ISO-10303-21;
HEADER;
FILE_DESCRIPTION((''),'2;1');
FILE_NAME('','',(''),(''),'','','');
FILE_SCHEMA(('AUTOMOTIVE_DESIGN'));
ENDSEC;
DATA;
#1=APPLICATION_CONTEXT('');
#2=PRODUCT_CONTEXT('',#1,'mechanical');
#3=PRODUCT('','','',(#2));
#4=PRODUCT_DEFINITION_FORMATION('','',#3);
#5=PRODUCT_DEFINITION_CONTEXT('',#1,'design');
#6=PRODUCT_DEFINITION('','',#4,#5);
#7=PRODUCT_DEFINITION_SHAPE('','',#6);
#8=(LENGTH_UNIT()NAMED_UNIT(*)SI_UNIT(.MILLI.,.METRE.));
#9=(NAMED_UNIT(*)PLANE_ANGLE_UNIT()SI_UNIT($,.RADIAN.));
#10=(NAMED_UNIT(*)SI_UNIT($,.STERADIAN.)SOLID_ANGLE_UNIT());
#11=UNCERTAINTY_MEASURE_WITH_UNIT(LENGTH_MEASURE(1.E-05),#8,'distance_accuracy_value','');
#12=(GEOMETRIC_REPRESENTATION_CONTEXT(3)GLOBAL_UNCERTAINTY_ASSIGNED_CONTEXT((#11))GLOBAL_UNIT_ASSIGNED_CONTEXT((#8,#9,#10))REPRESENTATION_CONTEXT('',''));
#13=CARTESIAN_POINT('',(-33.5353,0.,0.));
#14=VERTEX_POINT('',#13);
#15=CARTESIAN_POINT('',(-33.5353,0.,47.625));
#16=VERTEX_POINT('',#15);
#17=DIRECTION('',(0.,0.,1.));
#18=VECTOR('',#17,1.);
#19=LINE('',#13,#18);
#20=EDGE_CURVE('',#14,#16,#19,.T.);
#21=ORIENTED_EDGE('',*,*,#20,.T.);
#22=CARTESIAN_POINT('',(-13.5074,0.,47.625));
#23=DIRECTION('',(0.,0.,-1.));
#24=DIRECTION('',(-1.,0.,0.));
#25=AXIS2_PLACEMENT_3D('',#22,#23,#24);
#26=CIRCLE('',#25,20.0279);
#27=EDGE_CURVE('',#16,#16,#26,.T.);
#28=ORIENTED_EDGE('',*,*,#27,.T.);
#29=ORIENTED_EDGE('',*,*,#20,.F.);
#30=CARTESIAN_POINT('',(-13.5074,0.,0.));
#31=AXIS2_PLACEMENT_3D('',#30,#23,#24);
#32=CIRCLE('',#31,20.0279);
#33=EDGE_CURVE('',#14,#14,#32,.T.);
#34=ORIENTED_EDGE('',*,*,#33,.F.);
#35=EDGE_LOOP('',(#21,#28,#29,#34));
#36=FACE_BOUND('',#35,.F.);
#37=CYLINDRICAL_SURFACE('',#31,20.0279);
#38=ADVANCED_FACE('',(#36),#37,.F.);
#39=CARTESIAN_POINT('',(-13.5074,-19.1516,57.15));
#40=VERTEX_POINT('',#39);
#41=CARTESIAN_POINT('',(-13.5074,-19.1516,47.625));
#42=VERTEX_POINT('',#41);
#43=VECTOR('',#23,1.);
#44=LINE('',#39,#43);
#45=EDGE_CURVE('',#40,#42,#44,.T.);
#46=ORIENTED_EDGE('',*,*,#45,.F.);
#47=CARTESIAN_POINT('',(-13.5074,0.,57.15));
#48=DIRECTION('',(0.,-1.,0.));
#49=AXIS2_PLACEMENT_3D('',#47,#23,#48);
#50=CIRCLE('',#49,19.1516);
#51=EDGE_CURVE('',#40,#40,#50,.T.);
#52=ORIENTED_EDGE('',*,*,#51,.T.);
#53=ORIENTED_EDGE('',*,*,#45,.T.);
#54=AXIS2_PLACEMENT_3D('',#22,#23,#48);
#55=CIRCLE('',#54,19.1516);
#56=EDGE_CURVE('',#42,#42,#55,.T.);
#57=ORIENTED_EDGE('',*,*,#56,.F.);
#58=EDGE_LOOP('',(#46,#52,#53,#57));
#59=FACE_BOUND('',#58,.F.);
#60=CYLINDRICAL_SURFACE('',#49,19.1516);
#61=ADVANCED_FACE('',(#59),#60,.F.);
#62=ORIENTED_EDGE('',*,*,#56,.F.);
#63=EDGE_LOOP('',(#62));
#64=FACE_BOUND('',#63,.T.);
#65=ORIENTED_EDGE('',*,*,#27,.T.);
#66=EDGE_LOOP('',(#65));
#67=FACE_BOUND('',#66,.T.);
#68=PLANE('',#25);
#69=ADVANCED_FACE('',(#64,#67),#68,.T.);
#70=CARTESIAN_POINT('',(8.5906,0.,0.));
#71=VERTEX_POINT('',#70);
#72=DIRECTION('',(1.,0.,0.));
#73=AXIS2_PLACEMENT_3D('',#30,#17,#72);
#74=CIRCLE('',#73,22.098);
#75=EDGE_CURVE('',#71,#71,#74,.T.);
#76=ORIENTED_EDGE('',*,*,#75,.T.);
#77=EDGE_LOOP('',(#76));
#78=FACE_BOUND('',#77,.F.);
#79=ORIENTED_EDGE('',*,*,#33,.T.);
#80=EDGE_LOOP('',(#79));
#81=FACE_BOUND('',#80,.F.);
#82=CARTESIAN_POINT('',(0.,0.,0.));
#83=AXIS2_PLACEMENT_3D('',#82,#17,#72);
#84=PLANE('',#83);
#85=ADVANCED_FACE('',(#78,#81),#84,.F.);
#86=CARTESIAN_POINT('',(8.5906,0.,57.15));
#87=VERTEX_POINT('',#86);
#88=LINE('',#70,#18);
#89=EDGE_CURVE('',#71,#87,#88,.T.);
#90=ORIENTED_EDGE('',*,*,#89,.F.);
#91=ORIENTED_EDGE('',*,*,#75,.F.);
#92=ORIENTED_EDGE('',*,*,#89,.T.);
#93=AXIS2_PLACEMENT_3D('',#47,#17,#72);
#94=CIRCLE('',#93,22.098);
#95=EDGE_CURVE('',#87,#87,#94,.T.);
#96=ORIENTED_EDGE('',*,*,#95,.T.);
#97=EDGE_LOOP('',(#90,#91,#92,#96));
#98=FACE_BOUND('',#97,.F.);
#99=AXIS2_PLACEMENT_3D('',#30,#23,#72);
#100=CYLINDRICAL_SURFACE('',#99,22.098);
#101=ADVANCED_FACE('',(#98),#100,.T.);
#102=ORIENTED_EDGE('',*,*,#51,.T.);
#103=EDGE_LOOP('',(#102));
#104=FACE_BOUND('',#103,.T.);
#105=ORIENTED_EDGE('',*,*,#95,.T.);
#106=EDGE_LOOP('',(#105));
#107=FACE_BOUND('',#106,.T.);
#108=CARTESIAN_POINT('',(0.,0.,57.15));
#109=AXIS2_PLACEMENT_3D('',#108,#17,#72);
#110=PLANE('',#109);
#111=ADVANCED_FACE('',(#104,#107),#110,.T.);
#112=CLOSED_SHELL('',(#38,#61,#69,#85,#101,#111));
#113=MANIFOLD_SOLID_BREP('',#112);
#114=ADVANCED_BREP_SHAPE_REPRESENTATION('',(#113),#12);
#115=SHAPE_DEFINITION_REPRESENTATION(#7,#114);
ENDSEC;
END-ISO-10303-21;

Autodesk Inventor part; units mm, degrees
ref_plane "YZ Plane" through (0, 0, 0) normal (1, 0, 0) x (0, 1, 0)
ref_plane "XZ Plane" through (0, 0, 0) normal (0, 1, 0) x (-1, 0, 0)
ref_plane "XY Plane" through (0, 0, 0) normal (0, 0, 1) x (1, 0, 0)
sketch "Sketch1" plane through (0, 0, 0) normal (0, 0, 1) x (1, 0, 0)
  circle A0 centre (-13.5074, 0) radius 22.098
  point P0 (0, 0)
  dimension "d0" = 44.196
extrude "Extrusion1" add sketch "Sketch1" along normal blind 57.15
sketch "Sketch2" plane through (-13.5074, 0, 57.15) normal (0, 0, 1) x (1, 0, 0)
  circle A0 centre (0, 0) radius 22.098 projected
  point P0 (13.5074, 0)
hole "Hole1" at (-13.5074, 0, 57.15) direction (0, 0, -1) diameter 38.3032 depth 10.16 tip angle 118 thread size "1 9/16-20 UN" class "2B" standard "ANSI Unified Screw Threads"
sketch "Sketch3" plane through (-13.5074, 0, 0) normal (0, 0, -1) x (-1, 0, 0)
  circle A0 centre (0, 0) radius 22.098 projected
  circle A1 centre (0, 0) radius 20.0279
  point P0 (-13.5074, 0)
  dimension "d10" = 40.0558
extrude "Extrusion2" cut sketch "Sketch3" against normal blind 47.625 contours A1
properties part number "JF-AT-JC0005" material "Acrylic, Clear"
